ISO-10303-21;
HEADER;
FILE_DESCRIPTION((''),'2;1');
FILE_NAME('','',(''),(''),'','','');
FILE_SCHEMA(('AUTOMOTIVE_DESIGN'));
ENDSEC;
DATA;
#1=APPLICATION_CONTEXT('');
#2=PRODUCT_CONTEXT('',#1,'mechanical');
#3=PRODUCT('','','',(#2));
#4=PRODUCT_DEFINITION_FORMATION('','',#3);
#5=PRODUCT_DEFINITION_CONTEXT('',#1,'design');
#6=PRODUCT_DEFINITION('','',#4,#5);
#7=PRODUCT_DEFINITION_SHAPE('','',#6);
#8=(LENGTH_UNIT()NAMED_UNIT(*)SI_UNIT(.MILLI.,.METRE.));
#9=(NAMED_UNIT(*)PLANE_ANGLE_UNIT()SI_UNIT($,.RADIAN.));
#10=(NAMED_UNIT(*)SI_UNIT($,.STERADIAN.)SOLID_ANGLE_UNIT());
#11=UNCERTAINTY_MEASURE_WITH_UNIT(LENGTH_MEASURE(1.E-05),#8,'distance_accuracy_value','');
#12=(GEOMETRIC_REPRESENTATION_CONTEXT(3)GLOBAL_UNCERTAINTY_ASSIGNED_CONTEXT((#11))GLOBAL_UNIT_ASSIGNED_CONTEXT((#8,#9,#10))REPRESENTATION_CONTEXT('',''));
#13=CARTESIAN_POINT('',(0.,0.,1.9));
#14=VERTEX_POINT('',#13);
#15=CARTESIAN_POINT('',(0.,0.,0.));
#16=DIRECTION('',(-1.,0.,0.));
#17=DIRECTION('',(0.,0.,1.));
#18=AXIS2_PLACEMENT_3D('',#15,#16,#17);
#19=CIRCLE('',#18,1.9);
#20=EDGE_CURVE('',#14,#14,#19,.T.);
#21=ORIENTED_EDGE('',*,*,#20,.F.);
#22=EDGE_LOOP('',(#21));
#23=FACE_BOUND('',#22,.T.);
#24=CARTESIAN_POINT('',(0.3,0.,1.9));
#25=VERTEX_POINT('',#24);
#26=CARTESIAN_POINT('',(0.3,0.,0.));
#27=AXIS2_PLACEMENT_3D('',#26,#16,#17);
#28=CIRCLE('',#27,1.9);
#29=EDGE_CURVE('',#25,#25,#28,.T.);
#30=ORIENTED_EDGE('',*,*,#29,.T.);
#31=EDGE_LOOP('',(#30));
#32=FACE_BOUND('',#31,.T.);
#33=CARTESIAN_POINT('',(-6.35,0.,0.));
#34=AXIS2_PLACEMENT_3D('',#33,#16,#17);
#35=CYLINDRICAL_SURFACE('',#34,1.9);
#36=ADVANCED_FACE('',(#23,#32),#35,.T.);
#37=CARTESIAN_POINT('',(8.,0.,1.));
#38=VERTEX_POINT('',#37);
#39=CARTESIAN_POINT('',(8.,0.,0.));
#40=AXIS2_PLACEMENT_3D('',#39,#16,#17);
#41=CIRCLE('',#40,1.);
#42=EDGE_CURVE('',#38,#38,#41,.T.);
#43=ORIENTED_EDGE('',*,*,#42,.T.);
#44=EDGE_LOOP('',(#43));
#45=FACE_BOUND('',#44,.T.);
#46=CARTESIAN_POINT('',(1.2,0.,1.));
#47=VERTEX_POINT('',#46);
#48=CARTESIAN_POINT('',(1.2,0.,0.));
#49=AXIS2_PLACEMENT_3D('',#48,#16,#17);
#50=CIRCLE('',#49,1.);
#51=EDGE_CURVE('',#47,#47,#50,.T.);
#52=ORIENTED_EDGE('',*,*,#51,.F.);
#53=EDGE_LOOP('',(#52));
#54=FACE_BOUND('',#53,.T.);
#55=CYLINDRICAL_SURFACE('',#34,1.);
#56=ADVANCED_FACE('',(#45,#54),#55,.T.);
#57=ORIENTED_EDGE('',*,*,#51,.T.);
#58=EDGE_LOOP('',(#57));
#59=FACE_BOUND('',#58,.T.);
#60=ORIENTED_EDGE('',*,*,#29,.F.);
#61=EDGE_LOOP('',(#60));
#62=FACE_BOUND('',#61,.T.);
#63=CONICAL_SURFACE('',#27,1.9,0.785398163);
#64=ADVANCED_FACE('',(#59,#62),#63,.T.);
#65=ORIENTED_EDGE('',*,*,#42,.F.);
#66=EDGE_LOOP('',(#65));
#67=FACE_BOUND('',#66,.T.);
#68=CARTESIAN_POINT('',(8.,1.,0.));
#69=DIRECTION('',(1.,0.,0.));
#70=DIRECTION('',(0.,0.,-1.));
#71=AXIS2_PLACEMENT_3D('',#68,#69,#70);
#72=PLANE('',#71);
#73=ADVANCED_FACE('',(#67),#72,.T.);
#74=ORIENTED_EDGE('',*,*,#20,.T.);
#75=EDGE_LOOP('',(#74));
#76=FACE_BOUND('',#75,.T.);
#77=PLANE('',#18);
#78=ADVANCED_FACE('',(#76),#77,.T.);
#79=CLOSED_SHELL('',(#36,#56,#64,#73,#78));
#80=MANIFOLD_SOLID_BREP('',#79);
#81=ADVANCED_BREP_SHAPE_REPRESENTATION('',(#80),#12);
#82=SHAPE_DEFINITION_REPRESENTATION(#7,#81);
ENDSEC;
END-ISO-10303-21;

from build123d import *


with BuildPart() as part:
    # BodySke → Base-Revolve (revolve)
    with BuildSketch(Plane.XY, mode=Mode.PRIVATE) as base_revolve_sk:
        Polygon((0, 0), (0, 1.9), (0.3, 1.9), (1.2, 1), (8, 1), (8, 0), align=None)
    revolve(base_revolve_sk.sketch.rotate(Axis((-6.35, 0, 0), (1, 0, 0)), 90), axis=Axis((-6.35, 0, 0), (1, 0, 0)))


solid = part.part
